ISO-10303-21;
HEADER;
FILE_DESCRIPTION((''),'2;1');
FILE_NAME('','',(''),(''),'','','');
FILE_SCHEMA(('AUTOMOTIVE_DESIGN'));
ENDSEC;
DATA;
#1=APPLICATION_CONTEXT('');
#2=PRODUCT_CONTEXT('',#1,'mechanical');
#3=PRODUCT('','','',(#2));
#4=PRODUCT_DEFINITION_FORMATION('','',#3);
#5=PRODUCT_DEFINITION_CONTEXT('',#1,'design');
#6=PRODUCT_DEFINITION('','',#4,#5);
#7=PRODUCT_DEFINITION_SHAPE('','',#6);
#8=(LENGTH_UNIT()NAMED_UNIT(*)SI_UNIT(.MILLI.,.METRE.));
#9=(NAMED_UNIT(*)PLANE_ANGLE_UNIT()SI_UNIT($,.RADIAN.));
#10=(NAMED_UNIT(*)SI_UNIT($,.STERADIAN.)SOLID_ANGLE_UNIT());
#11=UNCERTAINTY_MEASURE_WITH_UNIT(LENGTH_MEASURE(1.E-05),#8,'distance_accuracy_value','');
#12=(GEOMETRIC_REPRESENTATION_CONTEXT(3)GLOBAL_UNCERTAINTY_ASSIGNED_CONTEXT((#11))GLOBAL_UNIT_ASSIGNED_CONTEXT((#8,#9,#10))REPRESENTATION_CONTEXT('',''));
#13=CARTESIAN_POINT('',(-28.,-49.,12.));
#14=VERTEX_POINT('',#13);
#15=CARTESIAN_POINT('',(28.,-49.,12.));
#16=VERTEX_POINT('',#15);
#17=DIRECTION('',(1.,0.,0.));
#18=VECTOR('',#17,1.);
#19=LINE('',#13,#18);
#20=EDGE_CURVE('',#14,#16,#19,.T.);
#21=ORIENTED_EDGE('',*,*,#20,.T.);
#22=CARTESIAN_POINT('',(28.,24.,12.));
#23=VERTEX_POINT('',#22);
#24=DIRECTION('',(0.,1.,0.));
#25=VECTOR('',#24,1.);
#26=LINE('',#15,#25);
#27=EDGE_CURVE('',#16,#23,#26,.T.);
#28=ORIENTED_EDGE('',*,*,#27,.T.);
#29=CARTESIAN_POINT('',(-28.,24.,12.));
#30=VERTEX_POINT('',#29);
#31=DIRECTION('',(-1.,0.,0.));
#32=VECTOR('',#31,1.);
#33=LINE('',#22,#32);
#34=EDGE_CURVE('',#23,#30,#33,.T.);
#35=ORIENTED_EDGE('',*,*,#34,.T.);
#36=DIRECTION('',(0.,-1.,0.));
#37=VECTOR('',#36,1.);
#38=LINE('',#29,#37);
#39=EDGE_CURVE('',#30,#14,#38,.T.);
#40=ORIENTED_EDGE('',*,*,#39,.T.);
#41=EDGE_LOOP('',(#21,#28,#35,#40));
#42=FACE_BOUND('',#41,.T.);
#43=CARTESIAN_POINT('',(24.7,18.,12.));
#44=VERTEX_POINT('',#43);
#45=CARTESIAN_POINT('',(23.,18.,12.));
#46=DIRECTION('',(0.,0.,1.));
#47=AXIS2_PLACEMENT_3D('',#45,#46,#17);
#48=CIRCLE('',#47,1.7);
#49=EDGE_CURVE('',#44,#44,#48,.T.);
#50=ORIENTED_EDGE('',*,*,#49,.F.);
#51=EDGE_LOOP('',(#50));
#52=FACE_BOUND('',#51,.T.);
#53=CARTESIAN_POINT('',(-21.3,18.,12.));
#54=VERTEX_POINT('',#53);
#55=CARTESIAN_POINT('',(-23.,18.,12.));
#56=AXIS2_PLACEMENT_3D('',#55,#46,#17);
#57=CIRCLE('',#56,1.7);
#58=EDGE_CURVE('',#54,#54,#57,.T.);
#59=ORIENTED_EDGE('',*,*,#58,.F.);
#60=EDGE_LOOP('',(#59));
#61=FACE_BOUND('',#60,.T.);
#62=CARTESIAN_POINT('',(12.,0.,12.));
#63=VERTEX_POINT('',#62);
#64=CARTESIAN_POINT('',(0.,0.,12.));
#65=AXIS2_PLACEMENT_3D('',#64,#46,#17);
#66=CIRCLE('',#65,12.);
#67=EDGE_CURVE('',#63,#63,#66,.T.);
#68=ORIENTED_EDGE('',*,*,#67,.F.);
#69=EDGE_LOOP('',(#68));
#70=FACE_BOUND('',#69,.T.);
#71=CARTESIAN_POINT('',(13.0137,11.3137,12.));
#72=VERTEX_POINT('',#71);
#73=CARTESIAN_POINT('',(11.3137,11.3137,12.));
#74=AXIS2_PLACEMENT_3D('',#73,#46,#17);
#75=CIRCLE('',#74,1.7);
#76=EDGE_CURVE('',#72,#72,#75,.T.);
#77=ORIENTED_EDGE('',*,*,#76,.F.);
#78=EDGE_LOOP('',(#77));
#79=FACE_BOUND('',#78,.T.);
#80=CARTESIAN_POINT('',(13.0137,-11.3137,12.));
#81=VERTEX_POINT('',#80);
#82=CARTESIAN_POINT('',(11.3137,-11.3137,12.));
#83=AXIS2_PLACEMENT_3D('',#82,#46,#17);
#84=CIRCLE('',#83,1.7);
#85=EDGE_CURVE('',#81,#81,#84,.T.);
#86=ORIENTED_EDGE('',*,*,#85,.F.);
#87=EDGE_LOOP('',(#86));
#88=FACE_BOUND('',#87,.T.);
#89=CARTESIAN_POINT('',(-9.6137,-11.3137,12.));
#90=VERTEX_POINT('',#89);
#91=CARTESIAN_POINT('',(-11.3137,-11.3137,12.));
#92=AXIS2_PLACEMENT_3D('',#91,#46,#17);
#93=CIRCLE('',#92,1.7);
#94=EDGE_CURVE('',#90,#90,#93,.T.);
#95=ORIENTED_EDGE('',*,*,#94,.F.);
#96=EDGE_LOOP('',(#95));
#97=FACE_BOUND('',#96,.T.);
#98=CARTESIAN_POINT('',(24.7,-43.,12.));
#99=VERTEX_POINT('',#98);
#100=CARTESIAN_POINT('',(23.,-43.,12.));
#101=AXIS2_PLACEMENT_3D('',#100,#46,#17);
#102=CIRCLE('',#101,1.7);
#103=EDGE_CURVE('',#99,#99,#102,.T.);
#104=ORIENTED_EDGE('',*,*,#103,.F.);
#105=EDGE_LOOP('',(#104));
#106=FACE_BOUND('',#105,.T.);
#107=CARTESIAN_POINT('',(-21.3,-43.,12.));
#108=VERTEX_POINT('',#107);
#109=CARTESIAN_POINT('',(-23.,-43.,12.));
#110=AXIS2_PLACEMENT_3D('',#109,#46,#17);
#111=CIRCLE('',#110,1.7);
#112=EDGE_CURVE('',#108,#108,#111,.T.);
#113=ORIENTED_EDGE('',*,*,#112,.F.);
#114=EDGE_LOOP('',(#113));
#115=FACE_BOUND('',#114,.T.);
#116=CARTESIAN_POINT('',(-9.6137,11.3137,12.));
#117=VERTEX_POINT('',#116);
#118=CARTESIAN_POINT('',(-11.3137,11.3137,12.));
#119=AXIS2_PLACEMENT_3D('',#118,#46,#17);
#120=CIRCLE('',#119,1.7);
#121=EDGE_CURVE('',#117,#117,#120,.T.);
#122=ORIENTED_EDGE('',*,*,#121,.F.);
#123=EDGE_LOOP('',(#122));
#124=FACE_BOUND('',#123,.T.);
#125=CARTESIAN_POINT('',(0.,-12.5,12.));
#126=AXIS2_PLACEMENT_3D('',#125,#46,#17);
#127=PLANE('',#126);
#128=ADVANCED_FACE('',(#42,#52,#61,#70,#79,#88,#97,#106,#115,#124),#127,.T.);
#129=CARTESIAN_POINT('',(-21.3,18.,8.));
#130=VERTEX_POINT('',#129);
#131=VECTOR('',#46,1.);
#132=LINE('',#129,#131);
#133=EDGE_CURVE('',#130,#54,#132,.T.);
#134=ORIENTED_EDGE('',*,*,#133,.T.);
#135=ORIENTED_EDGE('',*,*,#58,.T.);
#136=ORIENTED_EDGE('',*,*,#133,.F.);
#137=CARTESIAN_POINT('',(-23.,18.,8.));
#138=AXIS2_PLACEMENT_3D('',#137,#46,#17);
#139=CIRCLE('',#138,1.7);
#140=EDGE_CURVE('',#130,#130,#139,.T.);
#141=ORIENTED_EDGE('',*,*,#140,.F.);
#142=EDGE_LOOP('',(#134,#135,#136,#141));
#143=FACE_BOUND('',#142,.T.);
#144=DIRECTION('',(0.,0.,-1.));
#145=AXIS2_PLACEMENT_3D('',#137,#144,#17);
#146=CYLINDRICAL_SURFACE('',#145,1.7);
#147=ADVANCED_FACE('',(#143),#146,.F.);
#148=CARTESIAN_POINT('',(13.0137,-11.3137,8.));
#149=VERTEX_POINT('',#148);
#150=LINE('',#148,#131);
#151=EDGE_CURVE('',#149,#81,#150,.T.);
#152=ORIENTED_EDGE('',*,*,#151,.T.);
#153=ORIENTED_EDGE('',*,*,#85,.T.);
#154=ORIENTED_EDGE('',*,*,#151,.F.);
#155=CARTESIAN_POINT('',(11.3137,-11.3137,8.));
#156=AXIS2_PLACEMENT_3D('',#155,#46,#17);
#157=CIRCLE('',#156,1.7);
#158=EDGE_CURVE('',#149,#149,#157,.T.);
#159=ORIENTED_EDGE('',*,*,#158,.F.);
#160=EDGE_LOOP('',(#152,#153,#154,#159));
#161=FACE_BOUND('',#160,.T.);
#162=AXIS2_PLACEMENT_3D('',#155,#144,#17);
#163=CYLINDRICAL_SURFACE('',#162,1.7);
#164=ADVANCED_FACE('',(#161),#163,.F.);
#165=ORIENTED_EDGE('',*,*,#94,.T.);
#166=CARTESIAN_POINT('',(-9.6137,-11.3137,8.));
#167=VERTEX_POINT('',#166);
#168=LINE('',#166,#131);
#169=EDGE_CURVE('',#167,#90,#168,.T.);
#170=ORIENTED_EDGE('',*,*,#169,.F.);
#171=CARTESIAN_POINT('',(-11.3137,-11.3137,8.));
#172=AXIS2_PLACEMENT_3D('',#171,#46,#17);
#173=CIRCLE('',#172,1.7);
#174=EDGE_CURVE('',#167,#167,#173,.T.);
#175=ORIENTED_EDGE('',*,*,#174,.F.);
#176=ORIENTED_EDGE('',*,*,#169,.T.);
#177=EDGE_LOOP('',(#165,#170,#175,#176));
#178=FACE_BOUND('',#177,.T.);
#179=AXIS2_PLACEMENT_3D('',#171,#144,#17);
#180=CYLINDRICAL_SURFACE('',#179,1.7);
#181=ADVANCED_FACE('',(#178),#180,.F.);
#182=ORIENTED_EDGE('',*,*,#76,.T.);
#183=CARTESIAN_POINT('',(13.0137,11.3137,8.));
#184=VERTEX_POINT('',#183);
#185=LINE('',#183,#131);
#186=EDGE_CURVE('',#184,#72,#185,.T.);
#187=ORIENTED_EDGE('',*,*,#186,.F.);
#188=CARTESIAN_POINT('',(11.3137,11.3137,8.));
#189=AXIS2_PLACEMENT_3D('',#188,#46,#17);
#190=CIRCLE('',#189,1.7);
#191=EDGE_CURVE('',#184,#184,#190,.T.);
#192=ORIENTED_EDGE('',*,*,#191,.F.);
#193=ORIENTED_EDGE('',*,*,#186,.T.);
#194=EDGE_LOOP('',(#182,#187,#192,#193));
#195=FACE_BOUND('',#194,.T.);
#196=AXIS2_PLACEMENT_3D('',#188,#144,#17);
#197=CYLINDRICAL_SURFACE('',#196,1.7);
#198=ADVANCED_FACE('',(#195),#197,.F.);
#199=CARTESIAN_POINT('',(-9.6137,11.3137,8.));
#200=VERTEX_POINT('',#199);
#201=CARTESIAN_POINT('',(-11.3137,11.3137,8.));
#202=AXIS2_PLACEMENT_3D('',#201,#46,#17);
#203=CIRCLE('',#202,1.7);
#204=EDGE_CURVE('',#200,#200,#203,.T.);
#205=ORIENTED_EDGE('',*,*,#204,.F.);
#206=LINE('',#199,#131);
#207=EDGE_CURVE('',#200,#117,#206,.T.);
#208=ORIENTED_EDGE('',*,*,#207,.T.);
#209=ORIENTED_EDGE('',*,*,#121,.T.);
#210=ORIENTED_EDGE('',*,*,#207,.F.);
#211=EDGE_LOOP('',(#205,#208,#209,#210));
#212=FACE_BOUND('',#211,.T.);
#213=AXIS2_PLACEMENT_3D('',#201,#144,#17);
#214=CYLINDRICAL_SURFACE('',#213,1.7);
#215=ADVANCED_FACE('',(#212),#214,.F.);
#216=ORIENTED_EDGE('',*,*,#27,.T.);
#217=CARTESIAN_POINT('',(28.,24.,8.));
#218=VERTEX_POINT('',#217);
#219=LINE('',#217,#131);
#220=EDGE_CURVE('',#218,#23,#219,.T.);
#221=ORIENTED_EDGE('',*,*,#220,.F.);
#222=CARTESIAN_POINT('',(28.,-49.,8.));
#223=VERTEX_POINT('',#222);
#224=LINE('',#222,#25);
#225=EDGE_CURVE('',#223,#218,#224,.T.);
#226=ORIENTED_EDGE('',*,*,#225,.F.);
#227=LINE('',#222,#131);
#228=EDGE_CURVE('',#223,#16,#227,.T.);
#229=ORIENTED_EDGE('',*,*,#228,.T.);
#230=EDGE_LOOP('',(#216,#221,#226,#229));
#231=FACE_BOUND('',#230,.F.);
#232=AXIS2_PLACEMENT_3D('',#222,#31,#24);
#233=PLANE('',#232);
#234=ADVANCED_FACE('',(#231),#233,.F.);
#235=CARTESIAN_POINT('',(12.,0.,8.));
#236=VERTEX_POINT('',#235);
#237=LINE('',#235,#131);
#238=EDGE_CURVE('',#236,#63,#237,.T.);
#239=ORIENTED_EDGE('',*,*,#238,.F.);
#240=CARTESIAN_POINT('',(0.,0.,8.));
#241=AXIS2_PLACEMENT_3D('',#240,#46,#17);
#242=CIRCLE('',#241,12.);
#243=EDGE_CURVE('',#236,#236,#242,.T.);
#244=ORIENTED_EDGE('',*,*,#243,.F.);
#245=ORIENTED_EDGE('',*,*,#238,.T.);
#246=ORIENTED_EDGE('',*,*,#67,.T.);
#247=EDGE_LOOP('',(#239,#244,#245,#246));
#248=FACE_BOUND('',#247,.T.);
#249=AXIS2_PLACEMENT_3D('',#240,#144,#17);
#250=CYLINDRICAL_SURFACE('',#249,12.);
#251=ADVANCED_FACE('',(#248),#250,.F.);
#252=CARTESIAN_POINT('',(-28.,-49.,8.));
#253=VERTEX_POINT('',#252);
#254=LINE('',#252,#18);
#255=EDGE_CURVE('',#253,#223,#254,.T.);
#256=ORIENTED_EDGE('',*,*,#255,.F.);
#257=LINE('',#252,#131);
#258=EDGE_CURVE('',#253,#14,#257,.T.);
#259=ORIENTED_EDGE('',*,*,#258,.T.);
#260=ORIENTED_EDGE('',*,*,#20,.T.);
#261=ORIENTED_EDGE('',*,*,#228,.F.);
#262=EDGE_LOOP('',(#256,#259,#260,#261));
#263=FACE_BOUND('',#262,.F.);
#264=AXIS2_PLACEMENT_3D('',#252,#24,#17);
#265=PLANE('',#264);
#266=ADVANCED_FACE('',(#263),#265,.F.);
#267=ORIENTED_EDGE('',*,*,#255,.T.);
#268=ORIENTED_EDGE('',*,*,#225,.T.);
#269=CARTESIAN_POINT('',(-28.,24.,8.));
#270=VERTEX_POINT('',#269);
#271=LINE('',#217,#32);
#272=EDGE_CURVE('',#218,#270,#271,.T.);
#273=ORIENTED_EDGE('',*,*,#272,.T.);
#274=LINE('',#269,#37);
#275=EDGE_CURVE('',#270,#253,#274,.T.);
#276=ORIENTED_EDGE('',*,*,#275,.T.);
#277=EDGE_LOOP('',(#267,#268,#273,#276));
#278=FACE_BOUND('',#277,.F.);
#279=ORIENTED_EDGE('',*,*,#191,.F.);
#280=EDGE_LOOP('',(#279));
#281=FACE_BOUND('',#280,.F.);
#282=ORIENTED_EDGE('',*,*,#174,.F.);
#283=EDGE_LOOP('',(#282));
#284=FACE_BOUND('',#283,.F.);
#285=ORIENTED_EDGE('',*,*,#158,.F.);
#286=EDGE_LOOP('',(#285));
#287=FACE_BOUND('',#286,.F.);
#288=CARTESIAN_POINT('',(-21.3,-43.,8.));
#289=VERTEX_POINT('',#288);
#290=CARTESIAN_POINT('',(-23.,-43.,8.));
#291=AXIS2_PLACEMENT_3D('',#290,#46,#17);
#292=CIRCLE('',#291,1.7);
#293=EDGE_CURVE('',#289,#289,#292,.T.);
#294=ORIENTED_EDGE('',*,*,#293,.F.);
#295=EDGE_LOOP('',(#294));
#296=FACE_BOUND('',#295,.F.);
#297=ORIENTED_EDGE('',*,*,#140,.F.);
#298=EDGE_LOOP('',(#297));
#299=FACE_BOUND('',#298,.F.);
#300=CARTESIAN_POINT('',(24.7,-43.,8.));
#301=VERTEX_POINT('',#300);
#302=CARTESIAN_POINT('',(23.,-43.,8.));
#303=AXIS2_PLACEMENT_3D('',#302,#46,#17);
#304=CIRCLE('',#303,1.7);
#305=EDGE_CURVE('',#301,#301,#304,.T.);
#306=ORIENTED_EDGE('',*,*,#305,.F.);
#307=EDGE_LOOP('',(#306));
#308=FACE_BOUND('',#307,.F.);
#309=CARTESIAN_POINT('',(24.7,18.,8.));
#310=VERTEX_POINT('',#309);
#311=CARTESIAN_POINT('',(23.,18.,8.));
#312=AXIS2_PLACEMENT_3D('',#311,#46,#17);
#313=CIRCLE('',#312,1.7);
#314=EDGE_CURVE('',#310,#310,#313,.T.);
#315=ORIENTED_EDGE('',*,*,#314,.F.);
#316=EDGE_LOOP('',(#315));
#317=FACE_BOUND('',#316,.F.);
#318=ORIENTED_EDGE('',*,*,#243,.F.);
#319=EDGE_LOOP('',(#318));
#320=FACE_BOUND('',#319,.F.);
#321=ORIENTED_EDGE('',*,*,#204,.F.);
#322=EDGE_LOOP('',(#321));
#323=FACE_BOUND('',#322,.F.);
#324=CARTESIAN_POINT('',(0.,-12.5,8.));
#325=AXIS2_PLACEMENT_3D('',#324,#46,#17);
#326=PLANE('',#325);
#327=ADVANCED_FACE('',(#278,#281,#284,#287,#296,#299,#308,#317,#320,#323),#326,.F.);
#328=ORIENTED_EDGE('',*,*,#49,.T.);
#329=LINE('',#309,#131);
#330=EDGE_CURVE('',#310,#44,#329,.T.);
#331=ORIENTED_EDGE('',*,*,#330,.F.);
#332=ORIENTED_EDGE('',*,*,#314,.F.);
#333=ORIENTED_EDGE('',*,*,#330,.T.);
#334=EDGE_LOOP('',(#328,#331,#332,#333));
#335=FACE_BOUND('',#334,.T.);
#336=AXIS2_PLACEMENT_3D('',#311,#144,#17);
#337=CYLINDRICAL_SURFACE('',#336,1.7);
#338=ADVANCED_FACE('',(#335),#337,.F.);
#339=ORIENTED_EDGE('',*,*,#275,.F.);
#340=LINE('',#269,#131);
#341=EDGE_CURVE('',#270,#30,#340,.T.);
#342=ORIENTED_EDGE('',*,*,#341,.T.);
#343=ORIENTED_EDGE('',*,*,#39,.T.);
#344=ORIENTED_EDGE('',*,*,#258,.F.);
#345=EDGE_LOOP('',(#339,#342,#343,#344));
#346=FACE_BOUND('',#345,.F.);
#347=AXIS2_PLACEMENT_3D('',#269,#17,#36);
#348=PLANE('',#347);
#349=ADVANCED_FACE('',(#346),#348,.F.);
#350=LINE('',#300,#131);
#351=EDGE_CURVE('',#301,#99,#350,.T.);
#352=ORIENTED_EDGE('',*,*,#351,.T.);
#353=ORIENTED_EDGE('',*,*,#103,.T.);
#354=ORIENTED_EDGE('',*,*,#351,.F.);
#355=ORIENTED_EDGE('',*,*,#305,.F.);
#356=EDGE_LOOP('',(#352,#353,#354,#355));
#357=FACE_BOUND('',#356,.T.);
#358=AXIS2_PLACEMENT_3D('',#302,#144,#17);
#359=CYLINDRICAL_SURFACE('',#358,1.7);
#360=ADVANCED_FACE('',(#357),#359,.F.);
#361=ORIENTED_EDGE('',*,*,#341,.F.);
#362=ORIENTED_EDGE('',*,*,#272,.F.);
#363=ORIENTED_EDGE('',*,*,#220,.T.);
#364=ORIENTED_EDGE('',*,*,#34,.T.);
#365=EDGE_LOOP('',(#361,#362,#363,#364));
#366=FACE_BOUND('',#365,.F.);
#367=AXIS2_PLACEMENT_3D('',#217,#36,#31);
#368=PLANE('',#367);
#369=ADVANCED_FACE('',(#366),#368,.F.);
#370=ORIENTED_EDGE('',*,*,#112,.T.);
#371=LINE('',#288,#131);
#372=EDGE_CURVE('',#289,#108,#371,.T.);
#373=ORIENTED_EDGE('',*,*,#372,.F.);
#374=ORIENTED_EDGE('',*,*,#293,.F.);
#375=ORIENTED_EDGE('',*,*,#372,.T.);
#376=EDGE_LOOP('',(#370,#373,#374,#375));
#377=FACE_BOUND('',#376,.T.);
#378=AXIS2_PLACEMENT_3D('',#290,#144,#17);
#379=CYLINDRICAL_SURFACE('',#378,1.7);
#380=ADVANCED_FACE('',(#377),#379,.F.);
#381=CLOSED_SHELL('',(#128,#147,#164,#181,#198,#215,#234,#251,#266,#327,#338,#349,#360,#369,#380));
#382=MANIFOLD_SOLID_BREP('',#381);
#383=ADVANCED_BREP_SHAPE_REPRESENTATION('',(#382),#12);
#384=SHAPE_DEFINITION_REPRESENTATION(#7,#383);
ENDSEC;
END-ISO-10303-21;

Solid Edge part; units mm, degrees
sketch "Sketch1" plane through (0, 0, 8) normal (0, 0, 1) x (1, 0, 0)
  line L0 (-28, -49) -> (28, -49)
  line L1 (28, -49) -> (28, 24)
  line L2 (28, 24) -> (-28, 24)
  line L3 (-28, 24) -> (-28, -49)
  circle A0 centre (0, 0) radius 12
  circle A1 centre (11.3137, 11.3137) radius 1.7
  circle A2 centre (-11.3137, 11.3137) radius 1.7
  circle A3 centre (-11.3137, -11.3137) radius 1.7
  circle A4 centre (11.3137, -11.3137) radius 1.7
  circle A5 centre (-23, -43) radius 1.7
  circle A6 centre (23, -43) radius 1.7
  circle A7 centre (-23, 18) radius 1.7
  circle A8 centre (23, 18) radius 1.7
extrude "ExtrudedProtrusion_1" add sketch "Sketch1" along normal blind 4
